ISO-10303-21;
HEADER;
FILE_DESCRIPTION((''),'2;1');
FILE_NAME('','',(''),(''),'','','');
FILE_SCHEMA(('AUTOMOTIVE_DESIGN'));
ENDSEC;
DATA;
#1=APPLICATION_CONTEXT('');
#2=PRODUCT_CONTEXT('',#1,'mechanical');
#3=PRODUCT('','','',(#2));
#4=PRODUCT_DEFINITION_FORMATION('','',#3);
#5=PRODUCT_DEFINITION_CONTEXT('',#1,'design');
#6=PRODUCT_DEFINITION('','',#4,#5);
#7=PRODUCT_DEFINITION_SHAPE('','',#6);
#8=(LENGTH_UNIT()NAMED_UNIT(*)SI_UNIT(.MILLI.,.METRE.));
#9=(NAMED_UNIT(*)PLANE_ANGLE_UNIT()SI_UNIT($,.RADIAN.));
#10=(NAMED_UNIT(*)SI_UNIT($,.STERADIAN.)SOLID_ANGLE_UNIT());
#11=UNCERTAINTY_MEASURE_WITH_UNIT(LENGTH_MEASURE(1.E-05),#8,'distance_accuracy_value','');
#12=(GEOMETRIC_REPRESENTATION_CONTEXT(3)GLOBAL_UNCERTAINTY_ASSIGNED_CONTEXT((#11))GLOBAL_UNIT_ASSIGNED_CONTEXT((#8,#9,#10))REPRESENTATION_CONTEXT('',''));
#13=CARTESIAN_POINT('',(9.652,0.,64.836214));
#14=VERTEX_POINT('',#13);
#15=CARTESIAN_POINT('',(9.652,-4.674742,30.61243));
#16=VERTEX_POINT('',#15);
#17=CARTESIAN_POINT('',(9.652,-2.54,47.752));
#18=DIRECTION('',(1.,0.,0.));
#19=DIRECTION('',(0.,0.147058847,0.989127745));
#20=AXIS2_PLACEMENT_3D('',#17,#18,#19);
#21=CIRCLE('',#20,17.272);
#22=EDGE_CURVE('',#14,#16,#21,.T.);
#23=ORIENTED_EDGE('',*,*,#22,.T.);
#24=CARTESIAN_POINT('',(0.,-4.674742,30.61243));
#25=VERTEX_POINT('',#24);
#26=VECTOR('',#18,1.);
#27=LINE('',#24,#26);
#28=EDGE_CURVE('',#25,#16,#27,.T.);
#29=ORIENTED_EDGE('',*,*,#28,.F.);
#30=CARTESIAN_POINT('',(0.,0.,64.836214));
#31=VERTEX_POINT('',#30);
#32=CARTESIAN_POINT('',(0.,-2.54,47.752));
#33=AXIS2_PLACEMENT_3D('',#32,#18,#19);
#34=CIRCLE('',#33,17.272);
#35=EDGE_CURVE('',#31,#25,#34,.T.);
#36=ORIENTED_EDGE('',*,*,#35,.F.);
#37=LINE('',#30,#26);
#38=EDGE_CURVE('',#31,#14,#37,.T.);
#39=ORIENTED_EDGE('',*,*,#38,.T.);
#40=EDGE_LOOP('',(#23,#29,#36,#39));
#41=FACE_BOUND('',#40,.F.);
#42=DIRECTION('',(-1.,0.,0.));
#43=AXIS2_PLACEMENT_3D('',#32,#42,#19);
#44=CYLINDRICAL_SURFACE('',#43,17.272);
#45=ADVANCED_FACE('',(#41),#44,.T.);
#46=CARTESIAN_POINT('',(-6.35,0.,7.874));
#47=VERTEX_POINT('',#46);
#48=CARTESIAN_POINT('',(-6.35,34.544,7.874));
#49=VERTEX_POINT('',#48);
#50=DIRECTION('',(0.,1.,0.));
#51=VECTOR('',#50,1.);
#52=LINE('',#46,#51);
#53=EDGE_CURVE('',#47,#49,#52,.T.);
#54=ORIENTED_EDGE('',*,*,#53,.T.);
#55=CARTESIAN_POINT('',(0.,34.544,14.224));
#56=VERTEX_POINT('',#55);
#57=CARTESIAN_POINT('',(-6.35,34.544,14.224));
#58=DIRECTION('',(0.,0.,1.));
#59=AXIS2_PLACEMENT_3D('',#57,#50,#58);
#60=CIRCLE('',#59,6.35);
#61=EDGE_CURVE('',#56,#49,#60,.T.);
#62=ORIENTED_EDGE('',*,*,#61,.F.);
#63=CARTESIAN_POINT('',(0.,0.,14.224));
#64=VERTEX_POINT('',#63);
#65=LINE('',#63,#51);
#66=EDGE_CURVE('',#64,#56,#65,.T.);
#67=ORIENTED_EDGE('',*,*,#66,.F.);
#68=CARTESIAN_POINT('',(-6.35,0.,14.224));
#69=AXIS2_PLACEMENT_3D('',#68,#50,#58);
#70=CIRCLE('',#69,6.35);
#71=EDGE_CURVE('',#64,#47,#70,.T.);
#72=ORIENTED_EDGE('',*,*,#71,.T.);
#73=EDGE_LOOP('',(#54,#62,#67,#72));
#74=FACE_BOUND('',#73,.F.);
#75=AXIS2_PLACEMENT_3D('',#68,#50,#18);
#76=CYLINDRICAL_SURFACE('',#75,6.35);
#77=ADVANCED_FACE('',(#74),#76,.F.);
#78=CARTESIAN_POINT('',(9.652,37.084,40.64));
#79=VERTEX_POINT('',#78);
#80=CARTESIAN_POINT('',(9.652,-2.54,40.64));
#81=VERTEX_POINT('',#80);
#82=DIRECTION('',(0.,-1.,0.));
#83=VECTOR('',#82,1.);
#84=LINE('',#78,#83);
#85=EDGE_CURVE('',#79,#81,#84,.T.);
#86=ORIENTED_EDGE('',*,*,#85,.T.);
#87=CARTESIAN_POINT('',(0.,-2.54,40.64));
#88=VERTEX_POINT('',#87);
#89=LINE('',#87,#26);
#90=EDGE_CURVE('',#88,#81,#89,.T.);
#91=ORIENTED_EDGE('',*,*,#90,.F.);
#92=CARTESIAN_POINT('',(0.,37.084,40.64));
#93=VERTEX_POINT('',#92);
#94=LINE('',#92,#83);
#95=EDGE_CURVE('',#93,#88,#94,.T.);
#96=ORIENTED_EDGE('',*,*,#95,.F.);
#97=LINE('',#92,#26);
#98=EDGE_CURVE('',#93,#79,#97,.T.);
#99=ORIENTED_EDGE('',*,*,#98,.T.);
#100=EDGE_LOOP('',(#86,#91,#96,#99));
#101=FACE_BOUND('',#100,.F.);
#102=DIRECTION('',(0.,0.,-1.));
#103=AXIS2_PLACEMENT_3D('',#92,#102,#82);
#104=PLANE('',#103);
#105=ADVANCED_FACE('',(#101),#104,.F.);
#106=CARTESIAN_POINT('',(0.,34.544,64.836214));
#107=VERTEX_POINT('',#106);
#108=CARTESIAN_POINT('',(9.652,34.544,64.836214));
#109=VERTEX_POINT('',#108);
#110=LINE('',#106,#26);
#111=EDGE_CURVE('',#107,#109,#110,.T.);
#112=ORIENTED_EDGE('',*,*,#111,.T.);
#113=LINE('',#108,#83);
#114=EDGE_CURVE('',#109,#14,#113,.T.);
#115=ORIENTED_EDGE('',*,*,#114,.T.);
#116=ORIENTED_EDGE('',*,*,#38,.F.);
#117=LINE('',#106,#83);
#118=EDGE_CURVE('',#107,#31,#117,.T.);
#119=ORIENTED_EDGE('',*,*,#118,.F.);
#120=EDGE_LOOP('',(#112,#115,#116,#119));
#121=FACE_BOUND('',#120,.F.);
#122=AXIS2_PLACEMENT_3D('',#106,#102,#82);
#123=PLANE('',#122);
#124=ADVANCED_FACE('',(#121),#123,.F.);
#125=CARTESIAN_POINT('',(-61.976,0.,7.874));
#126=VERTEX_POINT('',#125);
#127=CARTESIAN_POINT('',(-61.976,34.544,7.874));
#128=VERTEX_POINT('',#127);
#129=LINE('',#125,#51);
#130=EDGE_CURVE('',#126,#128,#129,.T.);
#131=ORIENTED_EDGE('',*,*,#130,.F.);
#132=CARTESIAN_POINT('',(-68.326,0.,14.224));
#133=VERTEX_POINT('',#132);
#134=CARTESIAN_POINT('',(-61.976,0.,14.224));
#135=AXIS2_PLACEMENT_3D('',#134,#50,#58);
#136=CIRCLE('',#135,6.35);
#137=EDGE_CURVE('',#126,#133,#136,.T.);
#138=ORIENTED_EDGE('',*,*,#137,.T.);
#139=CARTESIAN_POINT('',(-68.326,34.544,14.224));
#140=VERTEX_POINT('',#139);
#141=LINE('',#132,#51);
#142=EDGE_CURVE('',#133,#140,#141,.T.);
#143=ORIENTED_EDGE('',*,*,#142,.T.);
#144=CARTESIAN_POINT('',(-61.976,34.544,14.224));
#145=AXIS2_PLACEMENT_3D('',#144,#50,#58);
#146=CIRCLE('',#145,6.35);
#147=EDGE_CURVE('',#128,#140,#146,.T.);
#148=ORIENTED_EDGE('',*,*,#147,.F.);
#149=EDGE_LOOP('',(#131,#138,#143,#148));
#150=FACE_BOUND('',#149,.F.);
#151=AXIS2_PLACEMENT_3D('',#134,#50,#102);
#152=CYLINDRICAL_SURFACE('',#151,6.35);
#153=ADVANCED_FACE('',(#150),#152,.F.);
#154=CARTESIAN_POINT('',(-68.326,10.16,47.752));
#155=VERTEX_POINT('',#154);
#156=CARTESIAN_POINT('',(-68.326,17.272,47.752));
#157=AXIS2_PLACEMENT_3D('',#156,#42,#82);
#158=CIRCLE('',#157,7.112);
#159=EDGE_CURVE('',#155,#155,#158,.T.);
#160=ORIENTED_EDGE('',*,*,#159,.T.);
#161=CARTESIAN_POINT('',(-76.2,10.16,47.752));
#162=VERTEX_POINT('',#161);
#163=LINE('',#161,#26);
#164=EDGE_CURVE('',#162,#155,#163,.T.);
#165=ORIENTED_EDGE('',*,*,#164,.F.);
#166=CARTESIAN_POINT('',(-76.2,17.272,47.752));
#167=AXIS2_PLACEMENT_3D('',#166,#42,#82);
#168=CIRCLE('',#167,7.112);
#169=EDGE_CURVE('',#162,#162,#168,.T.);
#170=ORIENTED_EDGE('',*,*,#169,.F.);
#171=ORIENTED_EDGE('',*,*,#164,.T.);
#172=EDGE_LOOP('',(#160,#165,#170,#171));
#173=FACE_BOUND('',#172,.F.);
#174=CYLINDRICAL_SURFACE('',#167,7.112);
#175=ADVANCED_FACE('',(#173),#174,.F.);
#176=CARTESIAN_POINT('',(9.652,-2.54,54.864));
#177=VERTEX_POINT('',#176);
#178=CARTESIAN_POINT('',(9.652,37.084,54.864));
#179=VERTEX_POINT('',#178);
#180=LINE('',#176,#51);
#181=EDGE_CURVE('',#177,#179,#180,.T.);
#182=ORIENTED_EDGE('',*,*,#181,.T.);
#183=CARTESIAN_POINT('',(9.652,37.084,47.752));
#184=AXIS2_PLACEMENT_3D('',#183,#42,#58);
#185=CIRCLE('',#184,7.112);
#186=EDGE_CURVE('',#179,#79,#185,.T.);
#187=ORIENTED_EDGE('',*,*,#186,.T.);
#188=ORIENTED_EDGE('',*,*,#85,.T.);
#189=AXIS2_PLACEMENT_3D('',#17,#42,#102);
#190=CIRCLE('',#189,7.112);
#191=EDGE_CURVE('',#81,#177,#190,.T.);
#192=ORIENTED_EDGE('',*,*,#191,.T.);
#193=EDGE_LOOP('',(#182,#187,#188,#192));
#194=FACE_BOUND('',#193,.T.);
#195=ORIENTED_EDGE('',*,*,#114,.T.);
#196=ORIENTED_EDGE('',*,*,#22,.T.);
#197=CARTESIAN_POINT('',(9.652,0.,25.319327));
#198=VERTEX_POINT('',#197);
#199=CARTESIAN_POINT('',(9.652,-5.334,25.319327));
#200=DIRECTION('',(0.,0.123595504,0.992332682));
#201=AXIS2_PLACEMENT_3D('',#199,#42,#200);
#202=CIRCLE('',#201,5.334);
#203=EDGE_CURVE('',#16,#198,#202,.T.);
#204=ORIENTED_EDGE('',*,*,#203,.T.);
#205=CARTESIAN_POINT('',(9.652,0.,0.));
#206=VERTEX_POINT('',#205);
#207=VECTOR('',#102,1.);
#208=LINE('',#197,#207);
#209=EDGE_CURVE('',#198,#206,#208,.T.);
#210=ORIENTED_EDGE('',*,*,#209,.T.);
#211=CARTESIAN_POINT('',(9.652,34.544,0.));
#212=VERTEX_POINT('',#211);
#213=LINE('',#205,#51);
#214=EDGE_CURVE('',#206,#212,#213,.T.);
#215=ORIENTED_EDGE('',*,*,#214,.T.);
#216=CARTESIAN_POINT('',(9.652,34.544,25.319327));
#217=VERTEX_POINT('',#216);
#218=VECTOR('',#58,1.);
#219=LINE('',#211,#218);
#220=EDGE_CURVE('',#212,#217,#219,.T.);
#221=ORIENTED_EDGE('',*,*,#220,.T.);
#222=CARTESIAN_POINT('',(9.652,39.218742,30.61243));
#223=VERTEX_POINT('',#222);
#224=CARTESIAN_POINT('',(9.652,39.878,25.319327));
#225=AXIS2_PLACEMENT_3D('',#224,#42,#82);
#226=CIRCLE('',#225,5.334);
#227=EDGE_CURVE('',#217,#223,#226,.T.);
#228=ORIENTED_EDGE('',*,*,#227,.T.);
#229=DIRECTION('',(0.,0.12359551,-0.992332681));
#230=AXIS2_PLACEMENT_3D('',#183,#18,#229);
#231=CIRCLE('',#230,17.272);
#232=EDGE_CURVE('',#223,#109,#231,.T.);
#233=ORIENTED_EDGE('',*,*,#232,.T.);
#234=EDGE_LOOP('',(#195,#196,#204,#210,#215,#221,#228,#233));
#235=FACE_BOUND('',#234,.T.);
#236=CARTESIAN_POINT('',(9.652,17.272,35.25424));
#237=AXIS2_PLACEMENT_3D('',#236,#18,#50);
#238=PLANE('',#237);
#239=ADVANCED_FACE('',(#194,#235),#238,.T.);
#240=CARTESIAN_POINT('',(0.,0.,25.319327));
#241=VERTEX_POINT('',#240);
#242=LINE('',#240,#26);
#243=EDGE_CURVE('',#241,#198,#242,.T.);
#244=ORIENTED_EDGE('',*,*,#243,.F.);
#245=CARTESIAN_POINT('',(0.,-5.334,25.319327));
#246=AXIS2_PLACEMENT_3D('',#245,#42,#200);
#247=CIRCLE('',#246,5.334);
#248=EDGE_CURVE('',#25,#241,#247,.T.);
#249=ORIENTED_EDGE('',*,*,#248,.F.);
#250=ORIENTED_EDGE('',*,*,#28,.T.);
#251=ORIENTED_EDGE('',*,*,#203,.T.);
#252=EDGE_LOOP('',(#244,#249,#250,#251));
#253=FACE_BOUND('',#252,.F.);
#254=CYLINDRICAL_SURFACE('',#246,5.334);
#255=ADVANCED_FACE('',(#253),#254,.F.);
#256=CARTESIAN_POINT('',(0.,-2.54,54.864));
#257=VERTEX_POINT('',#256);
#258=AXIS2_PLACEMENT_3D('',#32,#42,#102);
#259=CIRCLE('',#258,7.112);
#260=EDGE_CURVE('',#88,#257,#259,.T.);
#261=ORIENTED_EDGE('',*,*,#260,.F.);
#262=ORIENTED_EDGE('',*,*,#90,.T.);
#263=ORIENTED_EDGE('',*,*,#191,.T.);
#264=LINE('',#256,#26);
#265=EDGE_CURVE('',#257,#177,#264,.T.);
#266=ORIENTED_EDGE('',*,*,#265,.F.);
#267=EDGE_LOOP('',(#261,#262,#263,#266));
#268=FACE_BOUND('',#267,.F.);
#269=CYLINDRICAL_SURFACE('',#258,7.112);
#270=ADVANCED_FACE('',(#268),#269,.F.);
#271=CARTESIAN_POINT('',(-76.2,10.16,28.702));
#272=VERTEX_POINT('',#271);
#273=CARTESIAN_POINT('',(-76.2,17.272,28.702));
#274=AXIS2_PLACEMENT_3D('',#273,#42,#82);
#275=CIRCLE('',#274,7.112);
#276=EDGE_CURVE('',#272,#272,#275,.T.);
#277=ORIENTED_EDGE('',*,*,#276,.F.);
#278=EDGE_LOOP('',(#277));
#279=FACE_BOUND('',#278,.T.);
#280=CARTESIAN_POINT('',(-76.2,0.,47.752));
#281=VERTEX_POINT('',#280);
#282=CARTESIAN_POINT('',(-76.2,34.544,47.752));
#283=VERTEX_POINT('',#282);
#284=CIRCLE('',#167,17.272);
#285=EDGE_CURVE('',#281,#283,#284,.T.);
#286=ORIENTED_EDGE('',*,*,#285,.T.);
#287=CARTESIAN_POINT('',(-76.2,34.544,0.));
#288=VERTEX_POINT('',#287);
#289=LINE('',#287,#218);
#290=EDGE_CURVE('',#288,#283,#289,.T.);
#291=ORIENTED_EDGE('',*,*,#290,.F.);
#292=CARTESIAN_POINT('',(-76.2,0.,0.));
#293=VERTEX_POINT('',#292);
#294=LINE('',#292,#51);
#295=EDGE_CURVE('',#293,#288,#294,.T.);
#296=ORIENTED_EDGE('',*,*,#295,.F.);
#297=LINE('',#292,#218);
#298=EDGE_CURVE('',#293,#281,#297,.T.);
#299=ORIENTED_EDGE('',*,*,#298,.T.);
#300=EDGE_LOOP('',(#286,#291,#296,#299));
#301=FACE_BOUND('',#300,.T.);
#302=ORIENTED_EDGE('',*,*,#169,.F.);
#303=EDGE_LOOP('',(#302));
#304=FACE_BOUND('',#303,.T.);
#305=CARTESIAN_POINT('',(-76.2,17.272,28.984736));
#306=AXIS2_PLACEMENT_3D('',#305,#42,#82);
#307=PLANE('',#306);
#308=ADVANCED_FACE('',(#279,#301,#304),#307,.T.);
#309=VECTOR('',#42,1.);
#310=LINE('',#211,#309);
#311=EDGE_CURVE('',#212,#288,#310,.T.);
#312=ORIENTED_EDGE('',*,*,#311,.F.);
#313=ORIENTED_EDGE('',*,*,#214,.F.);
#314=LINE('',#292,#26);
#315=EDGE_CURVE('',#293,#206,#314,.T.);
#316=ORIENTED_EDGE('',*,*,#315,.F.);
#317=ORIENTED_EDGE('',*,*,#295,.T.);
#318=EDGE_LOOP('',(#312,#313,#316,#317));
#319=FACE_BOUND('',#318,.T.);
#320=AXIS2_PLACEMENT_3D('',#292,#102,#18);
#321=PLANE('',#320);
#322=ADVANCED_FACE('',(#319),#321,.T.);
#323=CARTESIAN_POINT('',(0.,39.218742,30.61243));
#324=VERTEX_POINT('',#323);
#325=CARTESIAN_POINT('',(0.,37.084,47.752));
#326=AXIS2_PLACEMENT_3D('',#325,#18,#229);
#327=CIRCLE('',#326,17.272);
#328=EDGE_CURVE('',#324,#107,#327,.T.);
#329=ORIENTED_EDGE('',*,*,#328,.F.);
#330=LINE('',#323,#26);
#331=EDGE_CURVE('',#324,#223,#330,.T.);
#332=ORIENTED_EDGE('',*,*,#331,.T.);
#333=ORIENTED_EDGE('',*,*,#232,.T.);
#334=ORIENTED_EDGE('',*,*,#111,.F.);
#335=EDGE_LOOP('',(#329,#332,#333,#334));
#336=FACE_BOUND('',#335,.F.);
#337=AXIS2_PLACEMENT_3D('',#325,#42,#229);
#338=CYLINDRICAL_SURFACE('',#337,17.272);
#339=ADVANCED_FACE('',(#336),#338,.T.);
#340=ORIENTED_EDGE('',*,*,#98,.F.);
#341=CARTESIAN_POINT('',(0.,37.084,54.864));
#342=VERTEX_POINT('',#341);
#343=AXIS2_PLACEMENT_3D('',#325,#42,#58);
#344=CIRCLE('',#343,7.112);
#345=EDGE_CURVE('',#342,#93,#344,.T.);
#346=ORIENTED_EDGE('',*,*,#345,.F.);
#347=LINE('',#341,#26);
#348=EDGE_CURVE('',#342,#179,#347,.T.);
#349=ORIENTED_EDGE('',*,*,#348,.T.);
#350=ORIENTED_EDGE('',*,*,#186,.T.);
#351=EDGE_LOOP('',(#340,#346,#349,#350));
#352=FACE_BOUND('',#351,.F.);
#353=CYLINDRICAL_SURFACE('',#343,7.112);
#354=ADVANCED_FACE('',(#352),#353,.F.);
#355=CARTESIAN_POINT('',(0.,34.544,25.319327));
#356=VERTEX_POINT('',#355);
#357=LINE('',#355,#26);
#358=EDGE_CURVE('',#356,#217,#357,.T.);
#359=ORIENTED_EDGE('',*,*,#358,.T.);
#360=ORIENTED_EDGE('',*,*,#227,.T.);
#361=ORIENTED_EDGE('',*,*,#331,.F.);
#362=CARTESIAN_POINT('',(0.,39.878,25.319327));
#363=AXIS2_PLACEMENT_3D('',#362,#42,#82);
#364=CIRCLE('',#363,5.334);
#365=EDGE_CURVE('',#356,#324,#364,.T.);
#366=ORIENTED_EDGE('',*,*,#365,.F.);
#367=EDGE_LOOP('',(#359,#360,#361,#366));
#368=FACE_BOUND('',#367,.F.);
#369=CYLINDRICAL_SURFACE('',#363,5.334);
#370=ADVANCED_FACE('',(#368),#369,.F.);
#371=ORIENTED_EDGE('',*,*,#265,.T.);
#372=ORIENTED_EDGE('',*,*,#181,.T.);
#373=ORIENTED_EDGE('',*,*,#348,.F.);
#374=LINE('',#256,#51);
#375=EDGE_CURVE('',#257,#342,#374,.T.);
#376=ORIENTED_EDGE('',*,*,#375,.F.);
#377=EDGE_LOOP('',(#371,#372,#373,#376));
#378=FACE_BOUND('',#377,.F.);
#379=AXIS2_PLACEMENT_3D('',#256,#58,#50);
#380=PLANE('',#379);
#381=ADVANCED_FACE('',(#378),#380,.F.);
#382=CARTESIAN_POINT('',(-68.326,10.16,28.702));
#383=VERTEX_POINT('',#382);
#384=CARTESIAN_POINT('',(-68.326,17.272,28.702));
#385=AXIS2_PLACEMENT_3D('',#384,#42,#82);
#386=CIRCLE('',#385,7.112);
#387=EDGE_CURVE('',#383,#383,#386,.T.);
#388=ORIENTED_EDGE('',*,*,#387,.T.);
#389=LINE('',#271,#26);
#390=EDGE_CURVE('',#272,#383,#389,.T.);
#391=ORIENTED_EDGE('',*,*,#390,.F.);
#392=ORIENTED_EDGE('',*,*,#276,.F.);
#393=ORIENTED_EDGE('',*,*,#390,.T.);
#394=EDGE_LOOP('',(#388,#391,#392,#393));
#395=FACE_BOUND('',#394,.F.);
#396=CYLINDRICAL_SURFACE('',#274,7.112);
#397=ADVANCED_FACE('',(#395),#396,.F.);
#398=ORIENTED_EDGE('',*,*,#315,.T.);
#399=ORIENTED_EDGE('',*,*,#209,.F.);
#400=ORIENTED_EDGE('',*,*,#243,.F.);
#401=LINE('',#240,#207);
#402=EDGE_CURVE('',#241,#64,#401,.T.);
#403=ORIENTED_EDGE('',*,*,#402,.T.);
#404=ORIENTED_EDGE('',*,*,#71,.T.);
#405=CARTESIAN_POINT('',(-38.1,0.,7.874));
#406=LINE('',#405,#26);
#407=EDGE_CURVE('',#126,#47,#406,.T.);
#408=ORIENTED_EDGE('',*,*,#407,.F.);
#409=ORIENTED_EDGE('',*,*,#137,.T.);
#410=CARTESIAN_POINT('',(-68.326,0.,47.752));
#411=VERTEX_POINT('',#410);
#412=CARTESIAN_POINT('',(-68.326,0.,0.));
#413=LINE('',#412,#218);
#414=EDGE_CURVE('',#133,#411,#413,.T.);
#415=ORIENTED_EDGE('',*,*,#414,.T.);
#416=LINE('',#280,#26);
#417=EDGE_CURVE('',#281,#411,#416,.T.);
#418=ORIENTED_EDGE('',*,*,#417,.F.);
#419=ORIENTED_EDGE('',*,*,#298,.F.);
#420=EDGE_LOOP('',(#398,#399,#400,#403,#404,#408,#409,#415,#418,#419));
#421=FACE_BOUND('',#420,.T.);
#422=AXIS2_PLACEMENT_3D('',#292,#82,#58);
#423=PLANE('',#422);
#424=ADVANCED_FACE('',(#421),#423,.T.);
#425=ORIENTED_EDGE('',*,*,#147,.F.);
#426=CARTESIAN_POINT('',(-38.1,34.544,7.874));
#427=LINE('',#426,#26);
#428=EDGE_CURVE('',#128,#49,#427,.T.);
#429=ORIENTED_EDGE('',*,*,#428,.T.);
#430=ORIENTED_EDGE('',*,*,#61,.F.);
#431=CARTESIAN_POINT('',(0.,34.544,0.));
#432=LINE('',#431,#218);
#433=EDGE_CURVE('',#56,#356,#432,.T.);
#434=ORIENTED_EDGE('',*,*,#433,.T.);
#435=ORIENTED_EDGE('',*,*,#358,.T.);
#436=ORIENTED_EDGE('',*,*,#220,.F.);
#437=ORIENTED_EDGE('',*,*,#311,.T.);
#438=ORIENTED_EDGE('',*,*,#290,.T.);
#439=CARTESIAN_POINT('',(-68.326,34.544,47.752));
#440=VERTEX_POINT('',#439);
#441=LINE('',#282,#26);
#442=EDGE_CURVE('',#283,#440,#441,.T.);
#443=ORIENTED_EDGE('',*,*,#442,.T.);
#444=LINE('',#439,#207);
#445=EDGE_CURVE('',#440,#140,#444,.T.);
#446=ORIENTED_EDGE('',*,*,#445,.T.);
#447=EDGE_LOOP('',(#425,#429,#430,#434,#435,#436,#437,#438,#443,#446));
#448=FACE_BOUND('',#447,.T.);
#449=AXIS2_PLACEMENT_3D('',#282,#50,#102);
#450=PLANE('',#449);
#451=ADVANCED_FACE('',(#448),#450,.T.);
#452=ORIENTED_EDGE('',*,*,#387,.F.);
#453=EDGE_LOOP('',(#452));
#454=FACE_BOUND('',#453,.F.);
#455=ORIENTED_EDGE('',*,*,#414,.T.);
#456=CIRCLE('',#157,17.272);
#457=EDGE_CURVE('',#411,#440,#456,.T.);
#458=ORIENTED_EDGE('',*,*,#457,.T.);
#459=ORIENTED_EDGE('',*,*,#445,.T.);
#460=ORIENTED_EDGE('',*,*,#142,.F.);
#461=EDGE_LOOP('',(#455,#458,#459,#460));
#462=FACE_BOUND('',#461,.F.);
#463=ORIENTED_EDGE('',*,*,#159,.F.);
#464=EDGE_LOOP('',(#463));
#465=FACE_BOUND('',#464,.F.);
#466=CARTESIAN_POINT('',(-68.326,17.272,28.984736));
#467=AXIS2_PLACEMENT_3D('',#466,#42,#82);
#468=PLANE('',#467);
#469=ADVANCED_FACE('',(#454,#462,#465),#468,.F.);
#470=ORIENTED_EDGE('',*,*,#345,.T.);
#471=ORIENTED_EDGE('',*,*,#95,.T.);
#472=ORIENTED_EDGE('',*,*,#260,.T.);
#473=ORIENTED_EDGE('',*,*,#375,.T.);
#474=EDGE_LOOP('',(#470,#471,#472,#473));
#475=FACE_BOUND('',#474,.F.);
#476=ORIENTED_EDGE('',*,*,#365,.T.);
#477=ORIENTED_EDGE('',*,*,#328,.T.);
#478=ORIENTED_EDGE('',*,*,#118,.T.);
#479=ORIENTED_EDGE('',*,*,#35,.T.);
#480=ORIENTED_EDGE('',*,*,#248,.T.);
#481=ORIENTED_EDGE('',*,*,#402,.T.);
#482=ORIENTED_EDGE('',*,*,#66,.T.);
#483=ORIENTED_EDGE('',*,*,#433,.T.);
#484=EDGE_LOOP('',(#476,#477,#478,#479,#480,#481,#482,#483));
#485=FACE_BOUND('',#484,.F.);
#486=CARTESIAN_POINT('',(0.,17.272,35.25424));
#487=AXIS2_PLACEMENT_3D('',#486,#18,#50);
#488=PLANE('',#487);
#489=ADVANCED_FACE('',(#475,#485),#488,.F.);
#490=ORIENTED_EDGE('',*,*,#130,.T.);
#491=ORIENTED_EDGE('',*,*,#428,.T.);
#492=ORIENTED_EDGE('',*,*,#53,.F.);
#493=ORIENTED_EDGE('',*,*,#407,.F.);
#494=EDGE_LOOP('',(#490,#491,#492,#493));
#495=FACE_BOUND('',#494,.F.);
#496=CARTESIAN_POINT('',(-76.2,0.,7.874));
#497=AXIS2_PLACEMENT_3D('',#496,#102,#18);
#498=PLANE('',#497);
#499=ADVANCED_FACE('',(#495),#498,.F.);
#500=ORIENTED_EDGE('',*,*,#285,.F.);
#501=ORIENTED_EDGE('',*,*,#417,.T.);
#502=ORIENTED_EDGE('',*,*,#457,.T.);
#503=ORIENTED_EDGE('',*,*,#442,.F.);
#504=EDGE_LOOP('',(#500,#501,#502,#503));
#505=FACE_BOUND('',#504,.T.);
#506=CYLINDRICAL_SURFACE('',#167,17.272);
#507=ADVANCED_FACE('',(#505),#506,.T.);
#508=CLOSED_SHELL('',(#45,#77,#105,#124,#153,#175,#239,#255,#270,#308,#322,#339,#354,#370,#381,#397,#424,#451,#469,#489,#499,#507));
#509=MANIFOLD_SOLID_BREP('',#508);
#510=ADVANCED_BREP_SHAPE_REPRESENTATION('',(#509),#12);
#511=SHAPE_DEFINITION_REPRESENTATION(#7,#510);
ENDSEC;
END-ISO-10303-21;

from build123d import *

# Parameters (mm, degrees)
F1_DEPTH = 9.652
F2_W     = 76.2
F2_H     = 7.874
F3_DEPTH = 34.544
F4_R     = 7.112
F5_DEPTH = 7.874
F6_R     = 6.35


with BuildPart() as f1:
    # F0 (on Right) → F1 (new body)
    with BuildSketch(Plane.YZ):
        with BuildLine():
            Line((0, 25.319327), (0, 0))
            Line((0, 0), (34.544, 0))
            Line((34.544, 0), (34.544, 25.319327))
            ThreePointArc((34.544, 25.319327), (35.879998, 28.850267), (39.218742, 30.61243))
            ThreePointArc((39.218742, 30.61243), (54.197092, 50.089535), (34.544, 64.836214))
            Line((34.544, 64.836214), (0, 64.836214))
            ThreePointArc((0, 64.836214), (-19.653092, 50.089535), (-4.674742, 30.61243))
            ThreePointArc((-4.674742, 30.61243), (-1.335998, 28.850267), (0, 25.319327))
        make_face()
        with BuildLine():
            ThreePointArc((37.084, 54.864), (44.196, 47.752), (37.084, 40.64))
            Line((37.084, 40.64), (-2.54, 40.64))
            ThreePointArc((-2.54, 40.64), (-9.652, 47.752), (-2.54, 54.864))
            Line((-2.54, 54.864), (37.084, 54.864))
        make_face(mode=Mode.SUBTRACT)
    extrude(amount=F1_DEPTH)

    # F2 (on Front) → F3 (join)
    with BuildSketch(Plane.XZ):
        with Locations((-38.1, 3.937)):
            Rectangle(F2_W, F2_H)
    extrude(amount=-F3_DEPTH)

    # F4 (on face) → F5 (join)
    with BuildSketch(Plane(origin=(-76.2, 0, 0), x_dir=(0, -1, 0), z_dir=(-1, 0, 0))):
        with BuildLine():
            Line((-34.544, 47.752), (-34.544, 0))
            Line((-34.544, 0), (0, 0))
            Line((0, 0), (0, 47.752))
            ThreePointArc((0, 47.752), (-17.272, 65.024), (-34.544, 47.752))
        make_face()
        with Locations((-17.272, 28.702)):
            Circle(F4_R, mode=Mode.SUBTRACT)
        with Locations((-17.272, 47.752)):
            Circle(F4_R, mode=Mode.SUBTRACT)
    extrude(amount=-F5_DEPTH)

    # F6
    f6_edges = [f1.edges().sort_by_distance(p)[0] for p in [
        (-68.326, 17.272, 7.874),
        (0, 17.272, 7.874),
    ]]
    fillet(f6_edges, radius=F6_R)


solid = f1.part
